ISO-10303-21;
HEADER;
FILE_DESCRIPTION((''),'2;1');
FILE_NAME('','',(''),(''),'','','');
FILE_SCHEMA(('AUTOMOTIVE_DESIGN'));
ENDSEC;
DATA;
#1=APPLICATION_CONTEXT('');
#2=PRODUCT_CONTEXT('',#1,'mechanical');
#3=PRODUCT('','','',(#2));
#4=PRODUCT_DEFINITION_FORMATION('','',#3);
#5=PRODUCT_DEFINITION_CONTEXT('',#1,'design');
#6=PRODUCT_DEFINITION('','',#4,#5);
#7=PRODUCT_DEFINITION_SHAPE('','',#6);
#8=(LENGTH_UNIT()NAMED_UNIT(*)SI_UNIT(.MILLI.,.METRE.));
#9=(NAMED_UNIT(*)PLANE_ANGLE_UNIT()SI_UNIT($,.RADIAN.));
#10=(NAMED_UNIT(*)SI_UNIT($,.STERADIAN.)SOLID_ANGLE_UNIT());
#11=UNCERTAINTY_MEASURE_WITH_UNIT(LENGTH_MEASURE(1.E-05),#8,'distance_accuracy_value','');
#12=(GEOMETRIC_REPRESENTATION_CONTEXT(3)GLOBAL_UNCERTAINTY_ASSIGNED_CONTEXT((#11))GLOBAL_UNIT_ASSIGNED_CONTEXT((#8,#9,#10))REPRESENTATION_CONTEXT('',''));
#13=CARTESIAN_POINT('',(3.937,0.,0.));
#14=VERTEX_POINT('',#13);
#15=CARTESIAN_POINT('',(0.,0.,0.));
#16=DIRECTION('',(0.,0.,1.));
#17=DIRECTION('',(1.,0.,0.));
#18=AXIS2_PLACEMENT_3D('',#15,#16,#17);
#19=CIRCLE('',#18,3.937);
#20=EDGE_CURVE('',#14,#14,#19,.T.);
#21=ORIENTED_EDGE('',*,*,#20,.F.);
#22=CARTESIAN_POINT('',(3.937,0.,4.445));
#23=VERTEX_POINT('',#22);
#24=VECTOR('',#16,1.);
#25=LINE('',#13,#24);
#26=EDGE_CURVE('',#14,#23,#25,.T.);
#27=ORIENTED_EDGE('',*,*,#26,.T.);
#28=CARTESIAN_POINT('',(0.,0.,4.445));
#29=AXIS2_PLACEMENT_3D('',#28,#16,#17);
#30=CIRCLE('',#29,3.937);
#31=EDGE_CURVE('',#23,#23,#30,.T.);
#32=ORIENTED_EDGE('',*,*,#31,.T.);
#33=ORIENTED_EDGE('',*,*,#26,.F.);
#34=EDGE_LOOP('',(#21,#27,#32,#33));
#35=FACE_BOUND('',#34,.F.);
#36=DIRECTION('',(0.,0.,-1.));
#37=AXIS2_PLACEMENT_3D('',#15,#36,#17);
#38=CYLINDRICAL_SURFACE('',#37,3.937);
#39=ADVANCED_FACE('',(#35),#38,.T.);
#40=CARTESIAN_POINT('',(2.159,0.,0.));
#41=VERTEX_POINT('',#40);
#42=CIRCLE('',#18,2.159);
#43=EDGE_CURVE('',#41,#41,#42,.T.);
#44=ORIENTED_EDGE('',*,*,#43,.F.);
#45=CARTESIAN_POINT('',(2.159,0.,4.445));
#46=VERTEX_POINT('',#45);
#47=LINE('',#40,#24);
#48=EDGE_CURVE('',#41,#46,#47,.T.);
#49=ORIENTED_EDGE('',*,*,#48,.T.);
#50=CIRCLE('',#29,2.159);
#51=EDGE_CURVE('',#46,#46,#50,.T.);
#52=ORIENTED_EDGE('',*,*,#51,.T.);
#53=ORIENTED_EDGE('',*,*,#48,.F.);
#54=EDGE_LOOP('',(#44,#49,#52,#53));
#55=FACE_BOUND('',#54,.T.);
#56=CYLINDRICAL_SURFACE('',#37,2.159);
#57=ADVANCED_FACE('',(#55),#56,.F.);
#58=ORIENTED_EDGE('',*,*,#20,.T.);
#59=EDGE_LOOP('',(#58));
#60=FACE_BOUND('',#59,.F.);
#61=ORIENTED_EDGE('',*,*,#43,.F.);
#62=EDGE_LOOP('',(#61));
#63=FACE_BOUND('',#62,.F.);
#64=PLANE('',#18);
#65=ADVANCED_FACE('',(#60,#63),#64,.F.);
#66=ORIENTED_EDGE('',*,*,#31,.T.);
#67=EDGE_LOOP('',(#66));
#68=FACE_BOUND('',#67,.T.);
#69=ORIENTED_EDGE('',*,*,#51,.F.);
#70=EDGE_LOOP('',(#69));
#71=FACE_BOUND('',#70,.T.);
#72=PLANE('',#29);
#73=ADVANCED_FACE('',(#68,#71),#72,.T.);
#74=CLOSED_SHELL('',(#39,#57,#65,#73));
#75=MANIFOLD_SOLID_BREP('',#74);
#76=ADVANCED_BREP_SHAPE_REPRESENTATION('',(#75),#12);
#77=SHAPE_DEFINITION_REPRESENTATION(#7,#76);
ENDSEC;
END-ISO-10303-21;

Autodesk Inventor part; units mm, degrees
ref_plane "YZ Plane" through (0, 0, 0) normal (1, 0, 0) x (0, 1, 0)
ref_plane "XZ Plane" through (0, 0, 0) normal (0, 1, 0) x (-1, 0, 0)
ref_plane "XY Plane" through (0, 0, 0) normal (0, 0, 1) x (1, 0, 0)
sketch "Sketch1" plane through (0, 0, 0) normal (0, 0, 1) x (1, 0, 0)
  circle A0 centre (0, 0) radius 2.159
  circle A1 centre (0, 0) radius 3.937
  dimension "d0" = 4.318
  dimension "d1" = 1.778
extrude "Extrusion1" add sketch "Sketch1" along normal blind 4.445
